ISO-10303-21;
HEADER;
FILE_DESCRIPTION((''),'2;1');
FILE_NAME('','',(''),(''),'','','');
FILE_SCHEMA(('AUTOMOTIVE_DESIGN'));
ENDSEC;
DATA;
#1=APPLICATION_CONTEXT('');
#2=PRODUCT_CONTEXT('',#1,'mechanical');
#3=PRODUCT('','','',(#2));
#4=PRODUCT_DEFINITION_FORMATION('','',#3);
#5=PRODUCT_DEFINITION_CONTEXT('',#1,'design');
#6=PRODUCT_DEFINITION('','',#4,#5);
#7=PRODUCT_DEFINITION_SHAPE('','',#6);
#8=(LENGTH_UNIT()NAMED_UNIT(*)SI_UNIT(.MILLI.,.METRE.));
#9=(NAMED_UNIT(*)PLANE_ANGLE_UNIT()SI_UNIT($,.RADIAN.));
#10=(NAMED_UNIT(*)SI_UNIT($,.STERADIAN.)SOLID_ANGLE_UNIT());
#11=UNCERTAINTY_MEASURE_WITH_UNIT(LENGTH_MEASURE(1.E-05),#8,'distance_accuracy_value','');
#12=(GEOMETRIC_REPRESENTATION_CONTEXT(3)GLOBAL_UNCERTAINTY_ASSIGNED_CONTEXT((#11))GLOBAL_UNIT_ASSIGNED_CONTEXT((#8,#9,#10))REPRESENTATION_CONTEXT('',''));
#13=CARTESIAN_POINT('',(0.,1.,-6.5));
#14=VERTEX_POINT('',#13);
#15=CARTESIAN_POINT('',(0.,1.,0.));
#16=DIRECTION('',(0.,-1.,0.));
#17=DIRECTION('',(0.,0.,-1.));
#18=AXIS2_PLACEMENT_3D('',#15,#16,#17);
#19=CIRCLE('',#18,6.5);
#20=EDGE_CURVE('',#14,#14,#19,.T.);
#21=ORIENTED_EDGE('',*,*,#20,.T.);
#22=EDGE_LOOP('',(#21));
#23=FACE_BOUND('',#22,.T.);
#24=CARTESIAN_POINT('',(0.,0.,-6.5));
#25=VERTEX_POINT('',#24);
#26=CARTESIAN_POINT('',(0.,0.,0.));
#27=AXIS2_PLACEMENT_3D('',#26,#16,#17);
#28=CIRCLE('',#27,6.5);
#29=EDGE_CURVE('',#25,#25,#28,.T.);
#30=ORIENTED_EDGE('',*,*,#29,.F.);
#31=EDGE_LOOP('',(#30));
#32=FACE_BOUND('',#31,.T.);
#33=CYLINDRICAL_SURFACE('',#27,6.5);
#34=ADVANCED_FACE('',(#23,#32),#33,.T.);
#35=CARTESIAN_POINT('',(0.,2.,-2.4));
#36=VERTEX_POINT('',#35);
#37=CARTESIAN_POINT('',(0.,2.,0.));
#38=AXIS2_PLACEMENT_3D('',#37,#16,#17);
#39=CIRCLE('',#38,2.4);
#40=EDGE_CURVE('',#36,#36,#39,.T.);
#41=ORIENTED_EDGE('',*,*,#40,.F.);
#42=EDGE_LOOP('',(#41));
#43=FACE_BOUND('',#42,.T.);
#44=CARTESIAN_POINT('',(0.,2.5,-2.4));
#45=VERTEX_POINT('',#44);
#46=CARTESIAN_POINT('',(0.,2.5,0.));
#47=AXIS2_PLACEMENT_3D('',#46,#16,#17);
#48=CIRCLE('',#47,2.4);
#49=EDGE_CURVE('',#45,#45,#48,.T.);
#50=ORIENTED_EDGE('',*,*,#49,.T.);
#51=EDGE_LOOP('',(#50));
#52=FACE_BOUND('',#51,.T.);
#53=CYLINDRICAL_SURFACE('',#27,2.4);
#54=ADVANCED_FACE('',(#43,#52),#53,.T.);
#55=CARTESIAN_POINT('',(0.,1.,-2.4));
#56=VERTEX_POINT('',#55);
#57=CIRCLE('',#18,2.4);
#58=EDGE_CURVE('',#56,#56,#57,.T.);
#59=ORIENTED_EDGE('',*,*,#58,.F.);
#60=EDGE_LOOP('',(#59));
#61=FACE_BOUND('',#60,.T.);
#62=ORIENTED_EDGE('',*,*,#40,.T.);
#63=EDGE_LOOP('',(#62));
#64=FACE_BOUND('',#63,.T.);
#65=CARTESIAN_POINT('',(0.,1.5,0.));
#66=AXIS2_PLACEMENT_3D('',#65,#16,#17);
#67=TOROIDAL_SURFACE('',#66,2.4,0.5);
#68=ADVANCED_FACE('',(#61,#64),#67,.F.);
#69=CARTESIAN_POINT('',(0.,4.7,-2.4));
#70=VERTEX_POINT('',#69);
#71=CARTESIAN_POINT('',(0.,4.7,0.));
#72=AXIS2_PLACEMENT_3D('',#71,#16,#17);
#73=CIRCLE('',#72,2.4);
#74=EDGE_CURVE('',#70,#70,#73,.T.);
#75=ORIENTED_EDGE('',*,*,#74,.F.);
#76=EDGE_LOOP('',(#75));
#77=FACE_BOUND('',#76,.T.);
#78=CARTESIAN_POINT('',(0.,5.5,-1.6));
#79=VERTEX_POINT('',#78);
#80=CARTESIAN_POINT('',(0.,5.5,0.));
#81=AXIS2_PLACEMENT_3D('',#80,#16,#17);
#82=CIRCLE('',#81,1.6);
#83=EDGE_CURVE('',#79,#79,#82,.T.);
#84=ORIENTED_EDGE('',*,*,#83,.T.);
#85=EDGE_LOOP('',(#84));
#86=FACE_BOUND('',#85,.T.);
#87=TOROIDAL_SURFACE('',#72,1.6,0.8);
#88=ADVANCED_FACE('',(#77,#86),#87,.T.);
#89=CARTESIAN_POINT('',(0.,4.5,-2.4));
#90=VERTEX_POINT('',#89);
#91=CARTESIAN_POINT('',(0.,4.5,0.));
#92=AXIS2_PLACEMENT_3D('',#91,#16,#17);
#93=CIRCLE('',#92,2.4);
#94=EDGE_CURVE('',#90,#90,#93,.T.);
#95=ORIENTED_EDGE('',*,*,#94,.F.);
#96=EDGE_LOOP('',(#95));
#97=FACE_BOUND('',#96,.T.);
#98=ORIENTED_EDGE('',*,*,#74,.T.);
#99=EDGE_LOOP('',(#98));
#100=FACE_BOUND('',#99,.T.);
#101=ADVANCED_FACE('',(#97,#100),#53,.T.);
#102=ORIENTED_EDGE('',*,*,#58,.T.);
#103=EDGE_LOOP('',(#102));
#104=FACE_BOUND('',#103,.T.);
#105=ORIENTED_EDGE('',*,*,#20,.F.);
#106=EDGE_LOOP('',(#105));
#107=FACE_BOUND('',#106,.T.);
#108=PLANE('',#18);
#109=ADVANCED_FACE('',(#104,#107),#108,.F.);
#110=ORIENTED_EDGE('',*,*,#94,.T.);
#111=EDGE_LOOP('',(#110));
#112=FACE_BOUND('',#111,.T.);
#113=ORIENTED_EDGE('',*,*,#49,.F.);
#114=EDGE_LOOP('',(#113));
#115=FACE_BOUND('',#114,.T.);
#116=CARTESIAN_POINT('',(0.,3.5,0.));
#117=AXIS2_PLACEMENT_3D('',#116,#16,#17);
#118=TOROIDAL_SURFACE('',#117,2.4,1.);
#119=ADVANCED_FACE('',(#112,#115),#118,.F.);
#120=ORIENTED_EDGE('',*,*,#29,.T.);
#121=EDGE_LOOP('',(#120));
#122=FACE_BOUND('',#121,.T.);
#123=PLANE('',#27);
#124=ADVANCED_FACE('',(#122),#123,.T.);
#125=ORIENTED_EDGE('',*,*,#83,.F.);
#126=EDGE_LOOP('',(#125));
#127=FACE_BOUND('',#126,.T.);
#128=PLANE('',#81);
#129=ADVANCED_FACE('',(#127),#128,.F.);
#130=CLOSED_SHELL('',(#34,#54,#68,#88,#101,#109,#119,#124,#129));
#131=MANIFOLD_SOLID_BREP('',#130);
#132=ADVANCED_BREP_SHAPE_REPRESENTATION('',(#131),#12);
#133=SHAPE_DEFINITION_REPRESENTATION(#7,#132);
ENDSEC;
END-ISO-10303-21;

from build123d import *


with BuildPart() as part:
    # Sketch1 → Revolve1 (revolve)
    with BuildSketch(Plane.XY, mode=Mode.PRIVATE) as revolve1_sk:
        with BuildLine():
            Line((0, 1), (0, 0))
            Line((0, 0), (6.5, 0))
            Line((6.5, 0), (6.5, 1))
            Line((6.5, 1), (2.4, 1))
            ThreePointArc((2.4, 1), (1.9, 1.5), (2.4, 2))
            Line((2.4, 2), (2.4, 2.5))
            ThreePointArc((2.4, 2.5), (1.4, 3.5), (2.4, 4.5))
            Line((2.4, 4.5), (2.4, 4.7))
            ThreePointArc((2.4, 4.7), (2.165685425, 5.265685425), (1.6, 5.5))
            Line((1.6, 5.5), (0, 5.5))
            Line((0, 5.5), (0, 1))
        make_face()
    revolve(revolve1_sk.sketch.rotate(Axis((0, 0, 0), (0, 1, 0)), 90), axis=Axis((0, 0, 0), (0, 1, 0)))


solid = part.part
